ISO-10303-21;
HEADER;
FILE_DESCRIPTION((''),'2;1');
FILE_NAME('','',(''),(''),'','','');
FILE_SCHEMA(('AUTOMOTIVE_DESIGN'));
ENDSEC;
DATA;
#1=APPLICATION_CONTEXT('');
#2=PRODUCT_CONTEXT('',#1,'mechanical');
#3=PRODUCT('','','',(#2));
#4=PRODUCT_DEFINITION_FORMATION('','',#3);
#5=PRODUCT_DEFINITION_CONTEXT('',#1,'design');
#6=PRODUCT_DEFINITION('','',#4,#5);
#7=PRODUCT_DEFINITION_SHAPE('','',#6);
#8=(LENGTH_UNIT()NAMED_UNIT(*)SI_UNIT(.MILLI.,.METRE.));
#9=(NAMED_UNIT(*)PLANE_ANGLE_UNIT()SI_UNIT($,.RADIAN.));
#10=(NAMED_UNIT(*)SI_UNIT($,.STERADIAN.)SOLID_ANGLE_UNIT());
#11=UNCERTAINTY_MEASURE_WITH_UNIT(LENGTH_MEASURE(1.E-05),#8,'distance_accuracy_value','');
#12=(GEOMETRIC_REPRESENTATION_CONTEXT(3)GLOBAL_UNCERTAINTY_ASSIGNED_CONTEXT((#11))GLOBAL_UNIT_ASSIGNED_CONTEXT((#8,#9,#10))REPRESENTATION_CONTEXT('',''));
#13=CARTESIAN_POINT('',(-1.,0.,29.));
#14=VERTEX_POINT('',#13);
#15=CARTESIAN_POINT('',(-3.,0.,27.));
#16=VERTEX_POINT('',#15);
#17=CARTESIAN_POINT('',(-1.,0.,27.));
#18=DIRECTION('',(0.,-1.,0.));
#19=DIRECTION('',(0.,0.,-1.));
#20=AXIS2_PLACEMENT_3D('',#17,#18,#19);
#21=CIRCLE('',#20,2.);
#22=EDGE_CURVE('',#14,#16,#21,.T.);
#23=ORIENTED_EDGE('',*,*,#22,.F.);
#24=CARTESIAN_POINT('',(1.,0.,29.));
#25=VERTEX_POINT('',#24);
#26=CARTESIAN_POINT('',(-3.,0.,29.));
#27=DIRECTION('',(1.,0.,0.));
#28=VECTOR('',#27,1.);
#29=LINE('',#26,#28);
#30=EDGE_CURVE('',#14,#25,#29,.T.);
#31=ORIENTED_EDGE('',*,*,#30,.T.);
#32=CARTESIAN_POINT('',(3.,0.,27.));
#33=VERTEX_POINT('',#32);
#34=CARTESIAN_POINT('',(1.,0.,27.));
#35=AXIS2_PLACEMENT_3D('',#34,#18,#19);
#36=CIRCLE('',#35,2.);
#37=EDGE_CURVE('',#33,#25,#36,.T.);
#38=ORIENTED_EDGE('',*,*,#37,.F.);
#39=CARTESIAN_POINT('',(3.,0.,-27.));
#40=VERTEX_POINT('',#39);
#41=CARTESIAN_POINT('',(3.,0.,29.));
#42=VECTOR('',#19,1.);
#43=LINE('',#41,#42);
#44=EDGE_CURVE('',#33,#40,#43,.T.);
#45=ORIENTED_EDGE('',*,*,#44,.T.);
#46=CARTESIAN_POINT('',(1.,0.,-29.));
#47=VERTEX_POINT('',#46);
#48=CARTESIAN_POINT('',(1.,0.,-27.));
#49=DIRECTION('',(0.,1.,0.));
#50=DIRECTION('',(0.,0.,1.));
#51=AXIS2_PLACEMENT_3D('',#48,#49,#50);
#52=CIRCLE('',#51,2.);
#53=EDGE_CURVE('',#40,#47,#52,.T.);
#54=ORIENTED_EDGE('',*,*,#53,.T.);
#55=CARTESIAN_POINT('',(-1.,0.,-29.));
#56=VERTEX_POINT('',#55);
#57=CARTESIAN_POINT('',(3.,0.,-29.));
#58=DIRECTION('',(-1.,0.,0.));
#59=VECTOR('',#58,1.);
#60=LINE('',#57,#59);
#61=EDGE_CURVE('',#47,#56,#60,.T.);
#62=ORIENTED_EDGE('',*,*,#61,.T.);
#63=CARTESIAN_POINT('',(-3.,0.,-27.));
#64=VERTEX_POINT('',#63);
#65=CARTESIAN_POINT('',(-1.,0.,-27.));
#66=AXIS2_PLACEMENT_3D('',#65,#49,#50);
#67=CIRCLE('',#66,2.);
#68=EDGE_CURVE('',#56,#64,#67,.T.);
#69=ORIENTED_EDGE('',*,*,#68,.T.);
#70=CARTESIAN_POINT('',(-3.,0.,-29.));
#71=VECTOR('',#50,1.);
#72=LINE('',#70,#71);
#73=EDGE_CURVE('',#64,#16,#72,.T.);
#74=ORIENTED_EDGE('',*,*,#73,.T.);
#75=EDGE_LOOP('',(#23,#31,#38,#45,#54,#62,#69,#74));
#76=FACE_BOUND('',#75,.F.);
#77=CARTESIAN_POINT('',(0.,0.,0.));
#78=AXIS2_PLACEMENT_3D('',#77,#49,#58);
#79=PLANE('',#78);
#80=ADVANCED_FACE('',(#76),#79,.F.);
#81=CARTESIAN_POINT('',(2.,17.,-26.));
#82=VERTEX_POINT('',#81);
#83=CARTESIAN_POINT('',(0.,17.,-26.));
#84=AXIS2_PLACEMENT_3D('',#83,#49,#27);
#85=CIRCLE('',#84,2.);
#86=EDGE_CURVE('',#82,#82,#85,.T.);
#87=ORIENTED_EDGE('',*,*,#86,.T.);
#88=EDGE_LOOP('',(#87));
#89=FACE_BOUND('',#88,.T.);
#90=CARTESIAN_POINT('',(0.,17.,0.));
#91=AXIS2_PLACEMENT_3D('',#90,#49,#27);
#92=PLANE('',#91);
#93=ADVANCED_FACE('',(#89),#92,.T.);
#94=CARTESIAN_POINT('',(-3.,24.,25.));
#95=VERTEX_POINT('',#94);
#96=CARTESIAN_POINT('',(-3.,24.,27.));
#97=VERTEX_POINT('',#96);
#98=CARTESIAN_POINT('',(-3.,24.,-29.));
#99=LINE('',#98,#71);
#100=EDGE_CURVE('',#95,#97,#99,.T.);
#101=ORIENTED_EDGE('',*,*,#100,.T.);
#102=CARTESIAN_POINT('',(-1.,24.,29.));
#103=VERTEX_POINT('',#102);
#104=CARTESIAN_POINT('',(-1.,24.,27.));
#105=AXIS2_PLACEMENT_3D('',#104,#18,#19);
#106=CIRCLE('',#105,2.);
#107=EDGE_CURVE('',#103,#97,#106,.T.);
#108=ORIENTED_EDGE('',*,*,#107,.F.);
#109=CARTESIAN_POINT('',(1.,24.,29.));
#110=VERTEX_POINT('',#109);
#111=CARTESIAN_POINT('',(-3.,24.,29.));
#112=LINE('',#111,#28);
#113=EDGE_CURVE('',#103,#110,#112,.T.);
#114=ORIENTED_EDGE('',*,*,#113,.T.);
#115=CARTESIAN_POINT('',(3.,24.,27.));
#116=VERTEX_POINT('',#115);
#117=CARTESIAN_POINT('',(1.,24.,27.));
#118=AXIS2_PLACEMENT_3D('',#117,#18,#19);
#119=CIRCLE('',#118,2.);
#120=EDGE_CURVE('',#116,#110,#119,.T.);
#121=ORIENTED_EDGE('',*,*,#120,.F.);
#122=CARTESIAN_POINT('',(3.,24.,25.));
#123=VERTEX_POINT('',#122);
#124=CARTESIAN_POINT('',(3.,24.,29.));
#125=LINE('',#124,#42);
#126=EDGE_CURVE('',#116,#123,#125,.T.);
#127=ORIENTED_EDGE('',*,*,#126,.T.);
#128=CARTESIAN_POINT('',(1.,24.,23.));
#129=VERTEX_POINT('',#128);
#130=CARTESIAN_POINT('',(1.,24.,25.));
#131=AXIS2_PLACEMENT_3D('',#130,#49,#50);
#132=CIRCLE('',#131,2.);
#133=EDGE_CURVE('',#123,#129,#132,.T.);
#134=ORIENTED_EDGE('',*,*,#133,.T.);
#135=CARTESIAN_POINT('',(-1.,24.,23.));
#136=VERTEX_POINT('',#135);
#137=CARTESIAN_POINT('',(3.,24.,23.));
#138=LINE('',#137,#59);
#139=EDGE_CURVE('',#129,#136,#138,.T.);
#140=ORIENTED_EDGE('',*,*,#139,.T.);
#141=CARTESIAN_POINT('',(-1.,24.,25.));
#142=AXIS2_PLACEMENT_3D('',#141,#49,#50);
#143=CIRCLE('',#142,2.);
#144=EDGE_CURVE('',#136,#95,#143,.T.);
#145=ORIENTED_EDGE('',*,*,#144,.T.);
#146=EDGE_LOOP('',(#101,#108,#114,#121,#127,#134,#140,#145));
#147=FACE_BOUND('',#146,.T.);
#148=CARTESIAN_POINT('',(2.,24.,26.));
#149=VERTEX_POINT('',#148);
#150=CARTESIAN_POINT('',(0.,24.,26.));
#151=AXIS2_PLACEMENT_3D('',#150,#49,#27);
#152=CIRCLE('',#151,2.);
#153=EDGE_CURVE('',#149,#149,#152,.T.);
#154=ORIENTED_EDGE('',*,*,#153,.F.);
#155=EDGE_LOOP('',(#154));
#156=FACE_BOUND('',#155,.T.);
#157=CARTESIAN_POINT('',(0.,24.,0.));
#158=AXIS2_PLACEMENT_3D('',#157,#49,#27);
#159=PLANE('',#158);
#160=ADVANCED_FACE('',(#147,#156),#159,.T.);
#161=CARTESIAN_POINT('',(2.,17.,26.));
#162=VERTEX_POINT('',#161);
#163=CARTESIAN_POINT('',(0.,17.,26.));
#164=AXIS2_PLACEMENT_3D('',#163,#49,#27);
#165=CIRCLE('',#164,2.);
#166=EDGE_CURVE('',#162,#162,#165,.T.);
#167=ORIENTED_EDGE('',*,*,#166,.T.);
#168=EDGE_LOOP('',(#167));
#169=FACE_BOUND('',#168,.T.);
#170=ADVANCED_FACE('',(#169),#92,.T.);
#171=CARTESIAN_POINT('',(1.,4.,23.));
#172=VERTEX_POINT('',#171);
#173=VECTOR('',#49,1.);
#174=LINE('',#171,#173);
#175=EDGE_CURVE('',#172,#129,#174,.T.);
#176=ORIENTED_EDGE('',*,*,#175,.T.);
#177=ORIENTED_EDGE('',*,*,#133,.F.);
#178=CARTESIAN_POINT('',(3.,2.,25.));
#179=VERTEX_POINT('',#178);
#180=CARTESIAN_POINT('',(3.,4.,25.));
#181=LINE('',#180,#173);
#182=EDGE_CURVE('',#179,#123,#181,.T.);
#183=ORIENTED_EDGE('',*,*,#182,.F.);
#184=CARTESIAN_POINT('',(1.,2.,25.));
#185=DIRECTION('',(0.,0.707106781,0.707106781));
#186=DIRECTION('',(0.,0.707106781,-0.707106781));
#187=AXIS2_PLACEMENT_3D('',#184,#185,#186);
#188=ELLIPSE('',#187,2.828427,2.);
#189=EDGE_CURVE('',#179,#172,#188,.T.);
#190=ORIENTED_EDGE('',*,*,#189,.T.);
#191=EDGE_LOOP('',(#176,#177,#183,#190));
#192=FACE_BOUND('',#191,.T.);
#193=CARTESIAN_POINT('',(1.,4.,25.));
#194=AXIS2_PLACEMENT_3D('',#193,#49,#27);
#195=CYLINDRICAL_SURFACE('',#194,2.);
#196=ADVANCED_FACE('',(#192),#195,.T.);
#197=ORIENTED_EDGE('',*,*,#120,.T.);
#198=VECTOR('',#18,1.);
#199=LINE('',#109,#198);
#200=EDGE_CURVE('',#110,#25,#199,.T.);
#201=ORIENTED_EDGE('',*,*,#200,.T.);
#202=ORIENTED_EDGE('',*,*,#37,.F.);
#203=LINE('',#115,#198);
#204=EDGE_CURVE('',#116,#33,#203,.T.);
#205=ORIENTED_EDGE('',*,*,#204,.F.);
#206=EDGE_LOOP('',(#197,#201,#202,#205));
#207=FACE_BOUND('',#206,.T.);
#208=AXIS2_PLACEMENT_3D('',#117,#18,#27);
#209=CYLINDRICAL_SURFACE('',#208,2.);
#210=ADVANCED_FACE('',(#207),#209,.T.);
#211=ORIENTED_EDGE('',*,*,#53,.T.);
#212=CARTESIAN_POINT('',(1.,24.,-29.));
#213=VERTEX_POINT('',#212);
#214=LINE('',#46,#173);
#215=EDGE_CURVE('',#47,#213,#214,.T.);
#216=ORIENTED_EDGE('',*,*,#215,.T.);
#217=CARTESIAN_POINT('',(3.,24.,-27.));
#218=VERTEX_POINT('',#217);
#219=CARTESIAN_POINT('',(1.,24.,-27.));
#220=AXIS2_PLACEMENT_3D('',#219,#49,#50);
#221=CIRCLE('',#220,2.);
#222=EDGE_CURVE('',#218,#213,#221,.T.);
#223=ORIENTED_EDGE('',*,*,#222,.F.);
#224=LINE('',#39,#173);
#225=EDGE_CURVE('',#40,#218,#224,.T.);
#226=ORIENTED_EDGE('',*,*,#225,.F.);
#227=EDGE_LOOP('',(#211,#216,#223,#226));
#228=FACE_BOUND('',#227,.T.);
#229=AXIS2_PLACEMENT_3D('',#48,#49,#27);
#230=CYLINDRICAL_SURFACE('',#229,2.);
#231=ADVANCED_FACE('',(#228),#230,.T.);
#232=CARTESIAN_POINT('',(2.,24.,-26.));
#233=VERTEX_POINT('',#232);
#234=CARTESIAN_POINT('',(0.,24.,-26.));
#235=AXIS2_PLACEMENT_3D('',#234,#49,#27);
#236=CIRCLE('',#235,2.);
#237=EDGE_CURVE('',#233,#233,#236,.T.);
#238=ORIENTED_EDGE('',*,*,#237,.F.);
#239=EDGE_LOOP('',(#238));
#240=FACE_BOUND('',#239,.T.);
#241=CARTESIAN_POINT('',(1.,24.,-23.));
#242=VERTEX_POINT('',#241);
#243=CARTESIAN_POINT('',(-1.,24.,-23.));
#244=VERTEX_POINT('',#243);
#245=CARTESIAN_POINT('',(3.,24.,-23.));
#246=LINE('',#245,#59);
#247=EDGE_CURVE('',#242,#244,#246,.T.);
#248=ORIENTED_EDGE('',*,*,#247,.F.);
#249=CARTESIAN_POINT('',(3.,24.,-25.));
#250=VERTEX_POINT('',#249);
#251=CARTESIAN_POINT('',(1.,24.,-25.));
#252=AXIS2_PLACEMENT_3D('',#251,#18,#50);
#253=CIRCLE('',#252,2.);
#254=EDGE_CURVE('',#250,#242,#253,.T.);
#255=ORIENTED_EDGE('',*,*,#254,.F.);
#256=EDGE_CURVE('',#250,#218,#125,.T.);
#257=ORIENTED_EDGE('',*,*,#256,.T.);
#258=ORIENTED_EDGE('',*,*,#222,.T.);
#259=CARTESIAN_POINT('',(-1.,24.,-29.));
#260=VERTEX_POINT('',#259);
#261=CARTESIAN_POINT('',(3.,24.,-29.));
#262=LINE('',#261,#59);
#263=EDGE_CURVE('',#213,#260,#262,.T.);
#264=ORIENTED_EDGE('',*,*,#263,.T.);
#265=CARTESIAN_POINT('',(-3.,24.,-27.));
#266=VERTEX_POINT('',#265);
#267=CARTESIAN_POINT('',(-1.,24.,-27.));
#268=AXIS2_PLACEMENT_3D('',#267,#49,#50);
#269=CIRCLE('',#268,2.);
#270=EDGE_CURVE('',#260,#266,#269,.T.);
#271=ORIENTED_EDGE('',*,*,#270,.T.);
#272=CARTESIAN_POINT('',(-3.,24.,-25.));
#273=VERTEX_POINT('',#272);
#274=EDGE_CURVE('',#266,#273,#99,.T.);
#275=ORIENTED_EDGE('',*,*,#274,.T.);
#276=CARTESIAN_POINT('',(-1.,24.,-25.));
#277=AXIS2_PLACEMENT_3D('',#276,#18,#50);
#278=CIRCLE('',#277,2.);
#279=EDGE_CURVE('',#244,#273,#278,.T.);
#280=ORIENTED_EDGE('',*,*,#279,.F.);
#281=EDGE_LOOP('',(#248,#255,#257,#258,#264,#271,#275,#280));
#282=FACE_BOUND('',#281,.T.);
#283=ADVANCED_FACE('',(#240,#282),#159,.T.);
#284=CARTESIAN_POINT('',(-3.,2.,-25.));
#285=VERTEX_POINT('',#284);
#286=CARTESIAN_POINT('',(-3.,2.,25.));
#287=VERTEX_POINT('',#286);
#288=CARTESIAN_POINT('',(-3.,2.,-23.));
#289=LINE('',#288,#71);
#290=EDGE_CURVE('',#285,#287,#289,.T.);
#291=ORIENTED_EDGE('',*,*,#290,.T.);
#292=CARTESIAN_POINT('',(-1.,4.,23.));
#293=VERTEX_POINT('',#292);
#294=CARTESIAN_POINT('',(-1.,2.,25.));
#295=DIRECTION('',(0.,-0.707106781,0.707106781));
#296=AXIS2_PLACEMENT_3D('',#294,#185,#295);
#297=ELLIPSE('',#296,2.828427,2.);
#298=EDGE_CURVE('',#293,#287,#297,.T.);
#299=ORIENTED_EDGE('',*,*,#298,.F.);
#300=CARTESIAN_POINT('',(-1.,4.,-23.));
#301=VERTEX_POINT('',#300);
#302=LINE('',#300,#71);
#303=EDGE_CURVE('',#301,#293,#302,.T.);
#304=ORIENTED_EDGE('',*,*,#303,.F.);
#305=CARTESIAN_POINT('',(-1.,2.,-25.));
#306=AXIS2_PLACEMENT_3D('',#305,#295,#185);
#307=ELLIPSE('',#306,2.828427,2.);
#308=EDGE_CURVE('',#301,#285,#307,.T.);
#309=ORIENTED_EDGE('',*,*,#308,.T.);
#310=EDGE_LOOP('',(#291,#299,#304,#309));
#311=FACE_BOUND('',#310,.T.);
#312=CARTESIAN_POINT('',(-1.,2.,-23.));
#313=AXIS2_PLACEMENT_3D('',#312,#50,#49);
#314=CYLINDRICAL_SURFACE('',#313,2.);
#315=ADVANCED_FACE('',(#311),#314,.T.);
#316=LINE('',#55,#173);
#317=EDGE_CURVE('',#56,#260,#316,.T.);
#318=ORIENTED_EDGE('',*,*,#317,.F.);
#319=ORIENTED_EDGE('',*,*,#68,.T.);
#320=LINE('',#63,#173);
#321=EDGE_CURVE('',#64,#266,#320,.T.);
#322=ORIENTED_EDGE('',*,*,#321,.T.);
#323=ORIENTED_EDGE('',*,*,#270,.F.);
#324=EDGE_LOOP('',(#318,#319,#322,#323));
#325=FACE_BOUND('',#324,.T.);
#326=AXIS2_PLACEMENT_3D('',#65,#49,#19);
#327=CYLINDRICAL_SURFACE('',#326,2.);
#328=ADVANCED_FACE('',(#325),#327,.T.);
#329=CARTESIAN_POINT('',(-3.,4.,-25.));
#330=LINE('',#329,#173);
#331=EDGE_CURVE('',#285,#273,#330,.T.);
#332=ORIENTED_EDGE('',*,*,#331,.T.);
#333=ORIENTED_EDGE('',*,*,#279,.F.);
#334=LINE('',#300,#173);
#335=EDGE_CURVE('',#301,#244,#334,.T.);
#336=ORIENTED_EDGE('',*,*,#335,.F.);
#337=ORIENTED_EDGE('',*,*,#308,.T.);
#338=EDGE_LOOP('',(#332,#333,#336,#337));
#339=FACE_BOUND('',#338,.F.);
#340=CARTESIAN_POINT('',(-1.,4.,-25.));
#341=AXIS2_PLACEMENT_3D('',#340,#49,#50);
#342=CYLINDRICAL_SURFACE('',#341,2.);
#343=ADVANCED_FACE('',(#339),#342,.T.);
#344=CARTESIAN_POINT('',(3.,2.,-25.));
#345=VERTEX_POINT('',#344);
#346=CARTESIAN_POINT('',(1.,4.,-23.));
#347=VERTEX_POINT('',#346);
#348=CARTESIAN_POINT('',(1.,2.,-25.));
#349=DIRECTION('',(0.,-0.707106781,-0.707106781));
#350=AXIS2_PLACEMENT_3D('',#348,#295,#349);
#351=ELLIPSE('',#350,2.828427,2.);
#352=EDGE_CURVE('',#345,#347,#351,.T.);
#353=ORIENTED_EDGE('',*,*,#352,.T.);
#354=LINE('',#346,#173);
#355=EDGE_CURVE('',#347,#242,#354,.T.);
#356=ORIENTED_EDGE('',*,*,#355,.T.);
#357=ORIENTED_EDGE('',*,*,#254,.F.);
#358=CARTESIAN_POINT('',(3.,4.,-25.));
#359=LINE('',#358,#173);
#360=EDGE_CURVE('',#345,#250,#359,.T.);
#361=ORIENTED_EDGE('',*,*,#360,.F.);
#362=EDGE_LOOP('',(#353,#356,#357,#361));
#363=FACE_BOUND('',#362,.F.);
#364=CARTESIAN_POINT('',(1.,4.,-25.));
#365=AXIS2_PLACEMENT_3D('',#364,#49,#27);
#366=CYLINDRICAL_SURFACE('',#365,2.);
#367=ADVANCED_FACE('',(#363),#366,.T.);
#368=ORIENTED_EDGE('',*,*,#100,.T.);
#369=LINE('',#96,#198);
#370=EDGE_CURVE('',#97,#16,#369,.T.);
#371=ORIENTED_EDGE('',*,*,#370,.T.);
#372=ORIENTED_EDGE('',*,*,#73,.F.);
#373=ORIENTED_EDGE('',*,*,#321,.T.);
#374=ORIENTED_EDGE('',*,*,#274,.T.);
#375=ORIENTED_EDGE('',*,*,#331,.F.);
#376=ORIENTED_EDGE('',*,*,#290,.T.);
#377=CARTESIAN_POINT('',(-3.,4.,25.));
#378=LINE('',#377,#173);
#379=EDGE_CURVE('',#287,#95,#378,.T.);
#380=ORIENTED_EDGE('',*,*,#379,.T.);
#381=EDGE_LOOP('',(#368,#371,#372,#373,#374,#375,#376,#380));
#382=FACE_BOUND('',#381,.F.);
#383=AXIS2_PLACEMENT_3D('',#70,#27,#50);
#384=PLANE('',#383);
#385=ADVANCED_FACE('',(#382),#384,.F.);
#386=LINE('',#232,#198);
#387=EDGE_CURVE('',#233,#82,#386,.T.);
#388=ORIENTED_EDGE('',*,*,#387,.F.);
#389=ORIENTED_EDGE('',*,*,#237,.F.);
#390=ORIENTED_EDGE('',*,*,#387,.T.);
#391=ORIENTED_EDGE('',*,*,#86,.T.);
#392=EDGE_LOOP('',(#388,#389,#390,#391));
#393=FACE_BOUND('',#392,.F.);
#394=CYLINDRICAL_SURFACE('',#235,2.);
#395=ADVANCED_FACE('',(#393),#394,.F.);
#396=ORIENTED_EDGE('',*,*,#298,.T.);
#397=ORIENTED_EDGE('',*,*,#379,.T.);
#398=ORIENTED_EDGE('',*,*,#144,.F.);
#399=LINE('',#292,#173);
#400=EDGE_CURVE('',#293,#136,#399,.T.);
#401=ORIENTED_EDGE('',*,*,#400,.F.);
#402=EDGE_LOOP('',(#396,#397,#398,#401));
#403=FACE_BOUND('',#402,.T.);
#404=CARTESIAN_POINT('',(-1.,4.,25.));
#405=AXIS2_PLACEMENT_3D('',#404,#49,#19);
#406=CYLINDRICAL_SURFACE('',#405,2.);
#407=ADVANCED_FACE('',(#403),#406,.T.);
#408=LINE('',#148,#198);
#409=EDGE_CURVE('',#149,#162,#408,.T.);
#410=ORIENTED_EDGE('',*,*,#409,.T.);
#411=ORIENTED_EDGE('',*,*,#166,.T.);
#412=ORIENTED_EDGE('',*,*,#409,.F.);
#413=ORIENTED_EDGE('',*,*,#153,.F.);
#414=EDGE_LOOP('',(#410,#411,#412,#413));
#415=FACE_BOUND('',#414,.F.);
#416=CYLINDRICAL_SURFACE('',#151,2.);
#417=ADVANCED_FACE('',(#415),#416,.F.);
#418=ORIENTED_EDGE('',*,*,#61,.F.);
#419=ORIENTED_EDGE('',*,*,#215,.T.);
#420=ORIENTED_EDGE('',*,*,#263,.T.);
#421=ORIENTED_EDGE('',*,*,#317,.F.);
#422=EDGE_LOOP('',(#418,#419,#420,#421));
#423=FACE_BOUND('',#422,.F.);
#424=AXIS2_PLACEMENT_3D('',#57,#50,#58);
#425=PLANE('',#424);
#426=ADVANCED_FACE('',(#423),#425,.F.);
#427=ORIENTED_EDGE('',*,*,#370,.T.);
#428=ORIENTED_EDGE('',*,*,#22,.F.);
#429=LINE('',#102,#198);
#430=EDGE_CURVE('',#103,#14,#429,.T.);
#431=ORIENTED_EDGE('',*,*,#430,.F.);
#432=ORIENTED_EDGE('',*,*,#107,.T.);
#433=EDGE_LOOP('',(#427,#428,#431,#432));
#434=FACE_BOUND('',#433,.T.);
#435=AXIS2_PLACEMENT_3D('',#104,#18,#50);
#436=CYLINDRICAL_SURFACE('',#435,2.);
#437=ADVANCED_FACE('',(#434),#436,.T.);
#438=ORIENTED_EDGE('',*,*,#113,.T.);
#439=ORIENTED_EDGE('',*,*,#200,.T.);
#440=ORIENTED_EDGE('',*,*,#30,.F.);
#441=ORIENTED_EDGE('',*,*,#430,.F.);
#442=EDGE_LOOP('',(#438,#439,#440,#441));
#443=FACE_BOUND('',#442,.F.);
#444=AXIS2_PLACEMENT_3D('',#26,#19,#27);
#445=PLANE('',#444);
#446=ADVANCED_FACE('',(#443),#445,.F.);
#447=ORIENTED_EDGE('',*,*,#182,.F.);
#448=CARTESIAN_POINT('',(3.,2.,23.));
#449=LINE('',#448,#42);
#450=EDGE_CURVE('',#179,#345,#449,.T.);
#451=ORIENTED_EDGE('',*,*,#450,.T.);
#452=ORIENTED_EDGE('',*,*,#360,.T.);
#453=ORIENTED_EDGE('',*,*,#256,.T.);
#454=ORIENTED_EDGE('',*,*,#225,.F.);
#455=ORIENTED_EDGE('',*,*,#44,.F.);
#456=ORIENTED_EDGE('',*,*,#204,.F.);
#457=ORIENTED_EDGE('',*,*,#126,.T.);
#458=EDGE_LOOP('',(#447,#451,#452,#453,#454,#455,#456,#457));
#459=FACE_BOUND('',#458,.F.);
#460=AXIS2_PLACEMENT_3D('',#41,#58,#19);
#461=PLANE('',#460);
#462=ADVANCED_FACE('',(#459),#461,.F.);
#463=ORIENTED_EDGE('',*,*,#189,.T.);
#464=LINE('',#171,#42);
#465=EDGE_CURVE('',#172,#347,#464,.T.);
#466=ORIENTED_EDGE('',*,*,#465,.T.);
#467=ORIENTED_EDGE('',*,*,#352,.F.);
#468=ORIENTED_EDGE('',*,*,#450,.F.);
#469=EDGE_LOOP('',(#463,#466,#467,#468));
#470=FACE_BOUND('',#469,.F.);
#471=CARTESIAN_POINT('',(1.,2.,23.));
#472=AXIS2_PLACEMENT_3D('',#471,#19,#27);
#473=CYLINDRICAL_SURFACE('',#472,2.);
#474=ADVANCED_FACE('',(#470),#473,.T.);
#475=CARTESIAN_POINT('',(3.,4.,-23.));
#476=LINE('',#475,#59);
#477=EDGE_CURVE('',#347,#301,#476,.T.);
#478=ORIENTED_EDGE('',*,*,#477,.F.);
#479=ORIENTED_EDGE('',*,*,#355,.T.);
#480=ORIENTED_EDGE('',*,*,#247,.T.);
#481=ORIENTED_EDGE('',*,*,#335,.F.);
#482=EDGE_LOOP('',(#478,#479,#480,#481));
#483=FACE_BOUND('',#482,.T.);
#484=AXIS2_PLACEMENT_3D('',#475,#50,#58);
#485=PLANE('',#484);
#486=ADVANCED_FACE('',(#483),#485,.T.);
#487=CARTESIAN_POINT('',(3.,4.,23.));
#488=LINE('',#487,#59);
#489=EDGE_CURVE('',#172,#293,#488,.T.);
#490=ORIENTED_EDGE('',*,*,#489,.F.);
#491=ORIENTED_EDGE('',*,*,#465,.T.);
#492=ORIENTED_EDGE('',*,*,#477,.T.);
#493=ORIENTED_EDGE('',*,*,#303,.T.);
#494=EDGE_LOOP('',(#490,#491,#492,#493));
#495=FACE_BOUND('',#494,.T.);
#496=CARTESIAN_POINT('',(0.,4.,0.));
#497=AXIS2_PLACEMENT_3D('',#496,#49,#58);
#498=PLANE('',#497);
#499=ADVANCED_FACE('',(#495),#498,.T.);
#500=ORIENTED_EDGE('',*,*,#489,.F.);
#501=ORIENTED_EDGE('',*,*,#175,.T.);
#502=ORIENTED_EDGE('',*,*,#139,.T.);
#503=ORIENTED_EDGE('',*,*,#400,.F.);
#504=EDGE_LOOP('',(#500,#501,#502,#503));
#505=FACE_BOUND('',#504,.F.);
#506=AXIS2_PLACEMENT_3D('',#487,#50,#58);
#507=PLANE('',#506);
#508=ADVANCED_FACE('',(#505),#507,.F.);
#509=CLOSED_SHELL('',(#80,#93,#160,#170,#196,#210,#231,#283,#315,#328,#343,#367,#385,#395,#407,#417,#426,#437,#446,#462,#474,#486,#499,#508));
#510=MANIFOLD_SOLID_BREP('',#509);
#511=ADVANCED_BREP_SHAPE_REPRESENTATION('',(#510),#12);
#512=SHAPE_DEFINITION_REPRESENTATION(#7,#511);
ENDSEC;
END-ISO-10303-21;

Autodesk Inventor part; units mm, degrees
ref_plane "YZ Plane" through (0, 0, 0) normal (1, 0, 0) x (0, 1, 0)
ref_plane "XZ Plane" through (0, 0, 0) normal (0, 1, 0) x (-1, 0, 0)
ref_plane "XY Plane" through (0, 0, 0) normal (0, 0, 1) x (1, 0, 0)
sketch "Sketch1" plane through (0, 0, 0) normal (0, 1, 0) x (-1, 0, 0)
  line L0 (-3, -29) -> (3, -29)
  line L1 (3, -29) -> (3, 29)
  line L2 (3, 29) -> (-3, 29)
  line L3 (-3, 29) -> (-3, -29)
  line L4 (-3, -29) -> (3, 29) construction
  line L5 (3, -29) -> (-3, 29) construction
  point P0 (0, 0)
  dimension "d0" = 58
  dimension "d1" = 6
extrude "Main Body Extrusion" add sketch "Sketch1" along normal blind 4
sketch "Sketch2" plane through (0, 4, 0) normal (0, 1, 0) x (1, 0, 0)
  line L0 (-3, 29) -> (-3, -29) projected
  line L1 (3, -29) -> (3, 29) projected
  line L2 (-3, -29) -> (3, -29)
  line L3 (3, -29) -> (3, -23)
  line L4 (3, -23) -> (-3, -23)
  line L5 (-3, -23) -> (-3, -29)
  line L6 (3, 29) -> (-3, 29) projected
  line L7 (-3, 29) -> (3, 29)
  line L8 (3, 29) -> (3, 23)
  line L9 (3, 23) -> (-3, 23)
  line L10 (-3, 23) -> (-3, 29)
  point P0 (0, 0)
  dimension "d4" = 6
  dimension "d5" = 6
  dimension "d6" = 6
  dimension "d7" = 6
  dimension "d8" = 6
extrude "Side Beams Extrusion" add sketch "Sketch2" along normal blind 20 contours L6 L1 L9 L0 | L4 L1 L2 L0
sketch "Sketch3" plane through (0, 24, 0) normal (0, 1, 0) x (1, 0, 0)
  line L0 (-3, 23) -> (-3, -23) projected
  line L1 (3, -23) -> (3, 23) projected
  circle A0 centre (0, 26) radius 2
  line L2 (-3, 23) -> (3, 23) projected
  line L3 (3, 29) -> (-3, 29) projected
  circle A1 centre (0, -26) radius 2
  line L4 (-3, -29) -> (3, -29) projected
  line L5 (3, -29) -> (3, -23) projected
  point P0 (0, 0)
  dimension "d11" = 6
  dimension "d12" = 4
  dimension "d13" = 3
  dimension "d14" = 6
  dimension "d15" = 3
  dimension "d16" = 4
  dimension "d17" = 3
  dimension "d18" = 3
extrude "Extrusion3" cut sketch "Sketch3" against normal blind 7
fillet "Fillet1" radius 2 10 edges at (-3, 14, -23) (-3, 12, -29) (-3, 4, 0) (3, 4, 0) (-3, 12, 29) (-3, 14, 23) (3, 12, 29) (3, 14, -23) (3, 12, -29) (3, 14, 23)
equation "\"d5\" = d4"
equation "\"d6\" = d4"
equation "\"d7\" = d4"
equation "\"d8\" = d4"
equation "\"d13\" = 0.5 * d14"
equation "\"d15\" = 0.5 * d11"
equation "\"d17\" = d13"
equation "\"d18\" = d15"
properties part number "Battery Holder"
